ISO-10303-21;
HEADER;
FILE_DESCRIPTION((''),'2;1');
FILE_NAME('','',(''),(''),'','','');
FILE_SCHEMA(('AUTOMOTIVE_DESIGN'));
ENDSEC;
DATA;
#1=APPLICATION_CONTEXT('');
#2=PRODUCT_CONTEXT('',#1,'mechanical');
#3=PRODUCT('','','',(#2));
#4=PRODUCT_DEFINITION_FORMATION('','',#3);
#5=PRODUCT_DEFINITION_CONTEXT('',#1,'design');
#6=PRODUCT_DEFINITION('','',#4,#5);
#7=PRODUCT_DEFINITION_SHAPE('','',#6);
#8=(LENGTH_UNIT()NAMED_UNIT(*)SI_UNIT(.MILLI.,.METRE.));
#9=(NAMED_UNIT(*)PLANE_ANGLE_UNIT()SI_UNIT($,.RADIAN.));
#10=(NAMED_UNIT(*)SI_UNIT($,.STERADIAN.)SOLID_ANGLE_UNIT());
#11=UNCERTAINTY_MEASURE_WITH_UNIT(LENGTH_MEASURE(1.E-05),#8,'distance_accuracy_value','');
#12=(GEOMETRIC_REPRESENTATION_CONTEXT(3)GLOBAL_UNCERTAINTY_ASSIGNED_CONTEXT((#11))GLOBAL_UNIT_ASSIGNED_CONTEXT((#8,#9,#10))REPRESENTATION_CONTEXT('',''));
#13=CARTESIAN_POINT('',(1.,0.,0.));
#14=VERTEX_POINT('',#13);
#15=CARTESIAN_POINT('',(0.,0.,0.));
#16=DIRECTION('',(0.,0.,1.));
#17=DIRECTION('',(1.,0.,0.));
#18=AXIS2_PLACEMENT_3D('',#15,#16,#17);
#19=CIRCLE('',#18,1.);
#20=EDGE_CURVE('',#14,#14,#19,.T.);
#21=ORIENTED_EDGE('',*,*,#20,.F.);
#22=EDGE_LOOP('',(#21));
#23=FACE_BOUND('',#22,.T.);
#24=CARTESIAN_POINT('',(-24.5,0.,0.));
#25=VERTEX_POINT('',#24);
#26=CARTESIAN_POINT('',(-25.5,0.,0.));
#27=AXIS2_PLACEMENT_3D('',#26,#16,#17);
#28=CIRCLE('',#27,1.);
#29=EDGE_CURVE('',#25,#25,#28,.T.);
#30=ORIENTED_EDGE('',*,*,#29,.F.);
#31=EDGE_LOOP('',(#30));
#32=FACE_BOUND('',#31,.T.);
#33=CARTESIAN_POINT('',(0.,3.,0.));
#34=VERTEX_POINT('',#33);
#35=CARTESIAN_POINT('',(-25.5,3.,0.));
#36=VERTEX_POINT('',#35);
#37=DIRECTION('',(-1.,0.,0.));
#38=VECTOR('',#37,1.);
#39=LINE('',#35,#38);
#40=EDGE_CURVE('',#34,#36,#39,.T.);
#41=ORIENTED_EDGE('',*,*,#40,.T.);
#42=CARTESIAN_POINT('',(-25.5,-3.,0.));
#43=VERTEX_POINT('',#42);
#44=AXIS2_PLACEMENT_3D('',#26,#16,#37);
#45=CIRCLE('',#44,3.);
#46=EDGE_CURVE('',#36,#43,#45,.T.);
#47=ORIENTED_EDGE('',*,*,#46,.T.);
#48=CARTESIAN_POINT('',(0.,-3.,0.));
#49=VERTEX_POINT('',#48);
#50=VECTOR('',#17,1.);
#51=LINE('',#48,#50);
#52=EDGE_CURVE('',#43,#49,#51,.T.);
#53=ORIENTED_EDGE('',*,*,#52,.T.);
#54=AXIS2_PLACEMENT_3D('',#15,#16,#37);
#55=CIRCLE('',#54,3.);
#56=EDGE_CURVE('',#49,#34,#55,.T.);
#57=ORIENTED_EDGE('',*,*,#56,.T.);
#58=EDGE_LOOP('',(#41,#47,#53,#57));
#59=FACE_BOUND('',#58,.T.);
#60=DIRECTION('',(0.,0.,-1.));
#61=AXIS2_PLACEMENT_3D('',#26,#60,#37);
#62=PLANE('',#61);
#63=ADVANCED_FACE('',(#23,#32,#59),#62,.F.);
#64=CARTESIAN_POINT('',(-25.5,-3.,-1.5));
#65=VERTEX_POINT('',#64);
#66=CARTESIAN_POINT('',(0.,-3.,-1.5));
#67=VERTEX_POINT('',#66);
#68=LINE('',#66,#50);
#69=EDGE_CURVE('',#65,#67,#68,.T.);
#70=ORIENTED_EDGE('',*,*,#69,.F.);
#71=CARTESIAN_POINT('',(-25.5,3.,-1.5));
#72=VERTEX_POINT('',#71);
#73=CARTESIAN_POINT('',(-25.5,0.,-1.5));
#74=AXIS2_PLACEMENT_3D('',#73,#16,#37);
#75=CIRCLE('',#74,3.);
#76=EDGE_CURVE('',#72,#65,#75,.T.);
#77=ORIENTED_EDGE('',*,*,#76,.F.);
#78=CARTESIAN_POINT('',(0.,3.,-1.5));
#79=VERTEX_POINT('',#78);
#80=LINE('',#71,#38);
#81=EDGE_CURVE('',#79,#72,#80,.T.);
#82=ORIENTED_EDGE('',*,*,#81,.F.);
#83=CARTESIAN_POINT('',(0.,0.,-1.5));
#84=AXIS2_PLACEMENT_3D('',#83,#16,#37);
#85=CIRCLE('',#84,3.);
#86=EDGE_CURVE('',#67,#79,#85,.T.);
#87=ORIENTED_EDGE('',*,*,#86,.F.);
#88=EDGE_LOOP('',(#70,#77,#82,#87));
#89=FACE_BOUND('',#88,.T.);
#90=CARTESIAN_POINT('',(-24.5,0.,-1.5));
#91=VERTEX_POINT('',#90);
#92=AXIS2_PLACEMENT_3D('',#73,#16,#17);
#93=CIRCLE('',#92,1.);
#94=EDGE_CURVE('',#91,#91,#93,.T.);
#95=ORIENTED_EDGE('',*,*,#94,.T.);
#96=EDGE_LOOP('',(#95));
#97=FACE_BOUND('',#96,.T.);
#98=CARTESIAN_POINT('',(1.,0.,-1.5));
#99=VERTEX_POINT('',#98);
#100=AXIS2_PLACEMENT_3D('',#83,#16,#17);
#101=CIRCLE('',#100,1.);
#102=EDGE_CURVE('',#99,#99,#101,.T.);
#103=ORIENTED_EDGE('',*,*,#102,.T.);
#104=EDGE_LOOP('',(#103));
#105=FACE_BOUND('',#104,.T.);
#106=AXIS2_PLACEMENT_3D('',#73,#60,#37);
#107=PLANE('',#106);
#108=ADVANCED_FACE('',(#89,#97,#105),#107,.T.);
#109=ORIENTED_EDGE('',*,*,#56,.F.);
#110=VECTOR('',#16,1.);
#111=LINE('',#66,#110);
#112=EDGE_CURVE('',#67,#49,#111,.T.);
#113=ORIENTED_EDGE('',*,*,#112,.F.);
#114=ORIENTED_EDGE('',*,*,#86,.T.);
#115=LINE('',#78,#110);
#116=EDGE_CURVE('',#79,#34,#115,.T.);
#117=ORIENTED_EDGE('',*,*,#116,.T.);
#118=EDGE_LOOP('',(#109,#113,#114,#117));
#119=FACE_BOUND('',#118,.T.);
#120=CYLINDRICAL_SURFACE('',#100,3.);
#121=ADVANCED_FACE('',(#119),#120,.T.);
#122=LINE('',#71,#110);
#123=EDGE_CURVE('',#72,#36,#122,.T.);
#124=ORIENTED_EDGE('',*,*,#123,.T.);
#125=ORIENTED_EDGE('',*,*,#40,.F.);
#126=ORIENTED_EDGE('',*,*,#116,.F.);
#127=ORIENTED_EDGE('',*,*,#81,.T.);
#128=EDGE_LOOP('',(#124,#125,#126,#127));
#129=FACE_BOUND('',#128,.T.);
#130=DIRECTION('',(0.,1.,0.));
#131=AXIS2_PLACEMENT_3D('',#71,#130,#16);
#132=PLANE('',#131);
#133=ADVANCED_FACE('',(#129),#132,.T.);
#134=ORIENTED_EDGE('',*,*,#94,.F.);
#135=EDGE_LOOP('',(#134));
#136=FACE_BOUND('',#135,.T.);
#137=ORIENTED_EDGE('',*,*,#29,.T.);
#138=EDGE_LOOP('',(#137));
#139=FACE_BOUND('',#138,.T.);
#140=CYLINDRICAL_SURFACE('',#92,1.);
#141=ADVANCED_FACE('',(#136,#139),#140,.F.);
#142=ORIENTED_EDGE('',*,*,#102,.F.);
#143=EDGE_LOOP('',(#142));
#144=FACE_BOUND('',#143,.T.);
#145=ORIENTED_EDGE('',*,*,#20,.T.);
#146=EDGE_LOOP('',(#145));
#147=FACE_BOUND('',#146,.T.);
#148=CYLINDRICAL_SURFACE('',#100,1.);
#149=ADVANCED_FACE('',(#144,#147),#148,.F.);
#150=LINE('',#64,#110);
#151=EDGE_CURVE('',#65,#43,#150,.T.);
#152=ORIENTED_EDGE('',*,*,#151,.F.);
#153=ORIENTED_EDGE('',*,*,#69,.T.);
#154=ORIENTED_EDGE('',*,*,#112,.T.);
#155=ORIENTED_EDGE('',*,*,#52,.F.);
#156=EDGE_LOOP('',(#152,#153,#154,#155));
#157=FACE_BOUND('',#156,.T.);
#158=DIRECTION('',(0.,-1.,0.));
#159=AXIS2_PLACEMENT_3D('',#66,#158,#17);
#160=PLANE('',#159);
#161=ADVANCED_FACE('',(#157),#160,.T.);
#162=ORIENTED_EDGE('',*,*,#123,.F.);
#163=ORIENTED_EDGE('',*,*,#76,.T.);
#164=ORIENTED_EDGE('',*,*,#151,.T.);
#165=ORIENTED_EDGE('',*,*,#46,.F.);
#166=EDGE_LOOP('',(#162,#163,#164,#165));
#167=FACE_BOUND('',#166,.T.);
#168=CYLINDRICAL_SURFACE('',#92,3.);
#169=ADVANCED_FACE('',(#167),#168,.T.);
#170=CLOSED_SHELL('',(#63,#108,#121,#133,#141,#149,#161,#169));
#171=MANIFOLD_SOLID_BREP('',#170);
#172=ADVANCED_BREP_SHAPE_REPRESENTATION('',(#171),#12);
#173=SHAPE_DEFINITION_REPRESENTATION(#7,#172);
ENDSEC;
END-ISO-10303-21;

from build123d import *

# Parameters (mm, degrees)
ESQUISSE1_R      = 1
EXTRUSION1_DEPTH = 1.5


with BuildPart() as part:
    # Esquisse1 → Extrusion1 (new body)
    with BuildSketch(Plane.XY):
        with BuildLine():
            Line((-25.5, 3), (0, 3))
            ThreePointArc((0, 3), (3, 0), (0, -3))
            Line((0, -3), (-25.5, -3))
            ThreePointArc((-25.5, -3), (-28.5, 0), (-25.5, 3))
        make_face()
        Circle(ESQUISSE1_R, mode=Mode.SUBTRACT)
        with Locations((-25.5, 0)):
            Circle(ESQUISSE1_R, mode=Mode.SUBTRACT)
    extrude(amount=-EXTRUSION1_DEPTH)


solid = part.part
